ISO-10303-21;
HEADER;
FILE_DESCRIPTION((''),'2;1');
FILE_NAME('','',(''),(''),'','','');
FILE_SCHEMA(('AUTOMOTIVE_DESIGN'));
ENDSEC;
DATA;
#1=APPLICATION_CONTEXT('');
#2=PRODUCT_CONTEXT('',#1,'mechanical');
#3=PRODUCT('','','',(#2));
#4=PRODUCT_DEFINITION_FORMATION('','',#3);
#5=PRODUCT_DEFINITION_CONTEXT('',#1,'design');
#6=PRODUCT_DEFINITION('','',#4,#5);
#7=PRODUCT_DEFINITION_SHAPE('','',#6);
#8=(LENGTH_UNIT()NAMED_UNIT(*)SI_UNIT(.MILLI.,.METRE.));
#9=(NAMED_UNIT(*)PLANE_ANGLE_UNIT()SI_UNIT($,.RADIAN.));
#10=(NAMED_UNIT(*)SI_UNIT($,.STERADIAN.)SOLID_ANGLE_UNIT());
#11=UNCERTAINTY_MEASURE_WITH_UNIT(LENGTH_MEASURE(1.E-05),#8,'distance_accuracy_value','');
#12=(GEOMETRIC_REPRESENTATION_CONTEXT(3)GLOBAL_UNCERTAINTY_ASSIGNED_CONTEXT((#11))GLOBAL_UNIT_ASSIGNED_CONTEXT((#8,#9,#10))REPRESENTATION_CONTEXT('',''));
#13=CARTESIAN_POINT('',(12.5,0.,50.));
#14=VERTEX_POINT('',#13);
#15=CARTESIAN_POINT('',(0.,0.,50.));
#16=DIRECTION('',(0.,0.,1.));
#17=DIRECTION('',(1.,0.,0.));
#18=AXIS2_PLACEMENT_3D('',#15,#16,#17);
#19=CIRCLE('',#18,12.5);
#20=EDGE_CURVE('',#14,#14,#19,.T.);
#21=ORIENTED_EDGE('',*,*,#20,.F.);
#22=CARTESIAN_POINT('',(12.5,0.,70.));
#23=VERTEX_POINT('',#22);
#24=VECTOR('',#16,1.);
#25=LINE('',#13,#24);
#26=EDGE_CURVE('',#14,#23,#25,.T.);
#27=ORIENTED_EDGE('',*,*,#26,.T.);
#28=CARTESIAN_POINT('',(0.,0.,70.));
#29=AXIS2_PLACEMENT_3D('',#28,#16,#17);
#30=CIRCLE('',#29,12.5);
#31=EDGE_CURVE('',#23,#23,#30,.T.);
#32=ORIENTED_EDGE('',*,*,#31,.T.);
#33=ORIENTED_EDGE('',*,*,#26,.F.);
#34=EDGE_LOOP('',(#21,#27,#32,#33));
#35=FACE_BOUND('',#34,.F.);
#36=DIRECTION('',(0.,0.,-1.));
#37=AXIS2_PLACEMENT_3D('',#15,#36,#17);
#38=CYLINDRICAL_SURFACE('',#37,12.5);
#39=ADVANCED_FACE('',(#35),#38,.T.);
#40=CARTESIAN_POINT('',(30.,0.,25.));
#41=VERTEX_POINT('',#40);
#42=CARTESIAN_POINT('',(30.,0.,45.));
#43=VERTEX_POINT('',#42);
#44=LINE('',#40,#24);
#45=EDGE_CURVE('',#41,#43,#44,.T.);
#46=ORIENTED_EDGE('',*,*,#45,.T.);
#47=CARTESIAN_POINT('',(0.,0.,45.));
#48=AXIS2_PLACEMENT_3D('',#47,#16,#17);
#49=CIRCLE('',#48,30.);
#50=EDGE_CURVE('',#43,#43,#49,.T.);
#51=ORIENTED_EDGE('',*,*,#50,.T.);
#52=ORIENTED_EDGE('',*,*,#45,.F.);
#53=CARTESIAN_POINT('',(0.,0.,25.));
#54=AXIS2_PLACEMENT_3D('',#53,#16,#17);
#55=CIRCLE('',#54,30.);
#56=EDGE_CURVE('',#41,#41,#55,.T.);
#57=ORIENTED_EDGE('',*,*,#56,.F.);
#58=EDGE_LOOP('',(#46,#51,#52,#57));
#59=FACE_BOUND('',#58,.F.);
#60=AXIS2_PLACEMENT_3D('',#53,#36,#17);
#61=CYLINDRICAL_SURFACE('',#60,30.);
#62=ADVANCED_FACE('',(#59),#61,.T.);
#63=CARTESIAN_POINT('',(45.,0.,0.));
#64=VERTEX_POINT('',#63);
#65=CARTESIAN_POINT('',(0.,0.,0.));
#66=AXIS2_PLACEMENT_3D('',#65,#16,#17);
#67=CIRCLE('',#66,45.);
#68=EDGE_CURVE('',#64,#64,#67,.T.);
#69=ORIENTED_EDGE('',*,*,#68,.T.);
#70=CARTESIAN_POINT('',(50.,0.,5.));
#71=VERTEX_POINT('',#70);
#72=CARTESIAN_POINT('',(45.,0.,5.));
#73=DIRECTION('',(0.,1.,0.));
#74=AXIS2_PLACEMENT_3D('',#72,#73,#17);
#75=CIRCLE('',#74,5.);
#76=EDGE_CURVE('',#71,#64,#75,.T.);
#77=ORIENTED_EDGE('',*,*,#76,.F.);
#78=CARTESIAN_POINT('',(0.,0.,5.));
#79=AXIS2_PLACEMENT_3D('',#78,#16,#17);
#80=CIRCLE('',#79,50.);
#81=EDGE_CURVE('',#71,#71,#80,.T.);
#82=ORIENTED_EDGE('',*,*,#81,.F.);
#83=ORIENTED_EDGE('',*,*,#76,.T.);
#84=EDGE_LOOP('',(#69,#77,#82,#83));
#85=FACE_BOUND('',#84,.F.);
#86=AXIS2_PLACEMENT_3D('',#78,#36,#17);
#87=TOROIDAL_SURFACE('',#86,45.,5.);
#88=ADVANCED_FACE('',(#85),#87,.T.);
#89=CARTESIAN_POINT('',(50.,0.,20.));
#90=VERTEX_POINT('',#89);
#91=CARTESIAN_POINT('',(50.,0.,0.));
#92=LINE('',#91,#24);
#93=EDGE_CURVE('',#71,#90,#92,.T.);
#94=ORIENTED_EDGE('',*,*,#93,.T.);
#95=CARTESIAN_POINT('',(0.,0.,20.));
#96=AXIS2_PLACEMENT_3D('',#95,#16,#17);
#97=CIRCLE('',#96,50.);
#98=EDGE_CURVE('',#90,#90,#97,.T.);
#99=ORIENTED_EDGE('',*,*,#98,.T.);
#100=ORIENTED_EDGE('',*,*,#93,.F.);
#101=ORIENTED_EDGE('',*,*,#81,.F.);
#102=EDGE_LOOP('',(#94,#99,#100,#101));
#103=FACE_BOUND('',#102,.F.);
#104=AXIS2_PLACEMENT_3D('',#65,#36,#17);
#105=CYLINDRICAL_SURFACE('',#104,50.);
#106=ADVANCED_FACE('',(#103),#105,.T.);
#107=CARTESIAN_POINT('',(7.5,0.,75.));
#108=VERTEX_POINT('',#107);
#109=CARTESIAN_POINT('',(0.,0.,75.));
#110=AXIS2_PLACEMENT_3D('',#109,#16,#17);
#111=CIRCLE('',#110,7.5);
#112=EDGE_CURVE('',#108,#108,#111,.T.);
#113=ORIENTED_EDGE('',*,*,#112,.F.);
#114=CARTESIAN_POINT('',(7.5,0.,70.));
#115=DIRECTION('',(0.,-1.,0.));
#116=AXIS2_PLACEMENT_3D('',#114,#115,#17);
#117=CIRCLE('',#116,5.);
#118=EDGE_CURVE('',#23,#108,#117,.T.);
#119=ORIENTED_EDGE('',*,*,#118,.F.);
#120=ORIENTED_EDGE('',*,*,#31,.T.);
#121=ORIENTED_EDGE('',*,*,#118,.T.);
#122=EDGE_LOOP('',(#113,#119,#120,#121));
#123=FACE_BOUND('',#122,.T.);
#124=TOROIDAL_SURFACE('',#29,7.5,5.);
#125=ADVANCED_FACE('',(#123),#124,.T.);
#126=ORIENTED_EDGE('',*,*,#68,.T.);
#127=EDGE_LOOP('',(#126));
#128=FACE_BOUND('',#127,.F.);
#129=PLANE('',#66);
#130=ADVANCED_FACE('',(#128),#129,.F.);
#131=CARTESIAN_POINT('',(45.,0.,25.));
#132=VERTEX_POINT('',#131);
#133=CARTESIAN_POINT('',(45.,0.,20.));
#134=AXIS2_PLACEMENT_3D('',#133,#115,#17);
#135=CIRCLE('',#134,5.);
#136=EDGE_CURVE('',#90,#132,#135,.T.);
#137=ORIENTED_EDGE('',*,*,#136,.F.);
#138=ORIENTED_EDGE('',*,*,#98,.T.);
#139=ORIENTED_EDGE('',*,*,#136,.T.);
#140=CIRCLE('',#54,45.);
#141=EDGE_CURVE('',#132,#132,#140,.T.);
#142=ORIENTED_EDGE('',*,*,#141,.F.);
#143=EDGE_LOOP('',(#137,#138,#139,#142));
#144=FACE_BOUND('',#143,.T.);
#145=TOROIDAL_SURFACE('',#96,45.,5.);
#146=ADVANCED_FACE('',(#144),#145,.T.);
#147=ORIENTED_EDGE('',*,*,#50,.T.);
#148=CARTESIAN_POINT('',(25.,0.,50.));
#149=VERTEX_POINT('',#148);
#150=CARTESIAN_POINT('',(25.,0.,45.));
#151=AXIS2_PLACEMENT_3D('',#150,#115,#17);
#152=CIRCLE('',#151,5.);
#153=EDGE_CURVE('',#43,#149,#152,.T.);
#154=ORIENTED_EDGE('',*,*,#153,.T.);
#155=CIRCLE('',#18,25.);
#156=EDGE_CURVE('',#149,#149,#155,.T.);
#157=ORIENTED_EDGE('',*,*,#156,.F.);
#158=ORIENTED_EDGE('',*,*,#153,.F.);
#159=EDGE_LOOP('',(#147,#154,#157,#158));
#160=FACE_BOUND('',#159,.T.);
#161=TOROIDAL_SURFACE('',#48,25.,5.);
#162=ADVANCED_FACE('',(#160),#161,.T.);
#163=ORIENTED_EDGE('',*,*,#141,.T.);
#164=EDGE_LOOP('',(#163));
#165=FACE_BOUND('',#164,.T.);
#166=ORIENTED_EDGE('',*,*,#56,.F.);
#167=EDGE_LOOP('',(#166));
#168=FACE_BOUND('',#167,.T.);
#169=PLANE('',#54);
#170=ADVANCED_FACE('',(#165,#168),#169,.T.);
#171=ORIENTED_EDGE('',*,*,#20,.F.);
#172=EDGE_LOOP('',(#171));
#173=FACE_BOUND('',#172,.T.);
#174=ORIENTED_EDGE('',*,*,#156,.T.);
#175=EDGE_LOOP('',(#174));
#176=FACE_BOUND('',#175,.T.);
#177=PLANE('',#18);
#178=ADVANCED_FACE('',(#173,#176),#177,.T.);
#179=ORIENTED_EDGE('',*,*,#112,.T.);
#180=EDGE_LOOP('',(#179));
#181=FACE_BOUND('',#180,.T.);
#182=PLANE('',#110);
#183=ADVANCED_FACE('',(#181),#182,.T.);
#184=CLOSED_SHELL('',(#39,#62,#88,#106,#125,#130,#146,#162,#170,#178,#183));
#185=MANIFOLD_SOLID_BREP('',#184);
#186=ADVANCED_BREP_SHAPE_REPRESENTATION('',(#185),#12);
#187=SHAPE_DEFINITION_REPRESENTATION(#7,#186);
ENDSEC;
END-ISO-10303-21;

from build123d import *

# Parameters (mm, degrees)
F1_R      = 30
F2_DEPTH  = 25
F0_R      = 50
F2_FACE_R = 30
F3_DEPTH  = 25
F4_R      = 5
F5_R      = 5
F6_R      = 5
F7_R      = 12.5
F8_DEPTH  = 25
F9_R      = 5


with BuildPart() as f2:
    # F1 (on face) → F2 (new body)
    with BuildSketch(Plane.XY):
        Circle(F1_R)
    extrude(amount=F2_DEPTH)

    # F0 (on Top) + F2_face (on face) → F3 (join)
    with BuildSketch(Plane.XY):
        Circle(F0_R)
    with BuildSketch(Plane.XY.offset(25)):
        Circle(F2_FACE_R)
    extrude(amount=F3_DEPTH)

    # F4
    f4_edges = [f2.edges().sort_by_distance(p)[0] for p in [
        (-50, 0, 25),
    ]]
    fillet(f4_edges, radius=F4_R)

    # F5
    f5_edges = [f2.edges().sort_by_distance(p)[0] for p in [
        (-30, 0, 50),
    ]]
    fillet(f5_edges, radius=F5_R)

    # F6
    f6_edges = [f2.edges().sort_by_distance(p)[0] for p in [
        (-50, 0, 0),
    ]]
    fillet(f6_edges, radius=F6_R)

    # F7 (on face) → F8 (join)
    with BuildSketch(Plane.XY.offset(50)):
        Circle(F7_R)
    extrude(amount=F8_DEPTH)

    # F9
    f9_edges = [f2.edges().sort_by_distance(p)[0] for p in [
        (-12.5, 0, 75),
    ]]
    fillet(f9_edges, radius=F9_R)


solid = f2.part
